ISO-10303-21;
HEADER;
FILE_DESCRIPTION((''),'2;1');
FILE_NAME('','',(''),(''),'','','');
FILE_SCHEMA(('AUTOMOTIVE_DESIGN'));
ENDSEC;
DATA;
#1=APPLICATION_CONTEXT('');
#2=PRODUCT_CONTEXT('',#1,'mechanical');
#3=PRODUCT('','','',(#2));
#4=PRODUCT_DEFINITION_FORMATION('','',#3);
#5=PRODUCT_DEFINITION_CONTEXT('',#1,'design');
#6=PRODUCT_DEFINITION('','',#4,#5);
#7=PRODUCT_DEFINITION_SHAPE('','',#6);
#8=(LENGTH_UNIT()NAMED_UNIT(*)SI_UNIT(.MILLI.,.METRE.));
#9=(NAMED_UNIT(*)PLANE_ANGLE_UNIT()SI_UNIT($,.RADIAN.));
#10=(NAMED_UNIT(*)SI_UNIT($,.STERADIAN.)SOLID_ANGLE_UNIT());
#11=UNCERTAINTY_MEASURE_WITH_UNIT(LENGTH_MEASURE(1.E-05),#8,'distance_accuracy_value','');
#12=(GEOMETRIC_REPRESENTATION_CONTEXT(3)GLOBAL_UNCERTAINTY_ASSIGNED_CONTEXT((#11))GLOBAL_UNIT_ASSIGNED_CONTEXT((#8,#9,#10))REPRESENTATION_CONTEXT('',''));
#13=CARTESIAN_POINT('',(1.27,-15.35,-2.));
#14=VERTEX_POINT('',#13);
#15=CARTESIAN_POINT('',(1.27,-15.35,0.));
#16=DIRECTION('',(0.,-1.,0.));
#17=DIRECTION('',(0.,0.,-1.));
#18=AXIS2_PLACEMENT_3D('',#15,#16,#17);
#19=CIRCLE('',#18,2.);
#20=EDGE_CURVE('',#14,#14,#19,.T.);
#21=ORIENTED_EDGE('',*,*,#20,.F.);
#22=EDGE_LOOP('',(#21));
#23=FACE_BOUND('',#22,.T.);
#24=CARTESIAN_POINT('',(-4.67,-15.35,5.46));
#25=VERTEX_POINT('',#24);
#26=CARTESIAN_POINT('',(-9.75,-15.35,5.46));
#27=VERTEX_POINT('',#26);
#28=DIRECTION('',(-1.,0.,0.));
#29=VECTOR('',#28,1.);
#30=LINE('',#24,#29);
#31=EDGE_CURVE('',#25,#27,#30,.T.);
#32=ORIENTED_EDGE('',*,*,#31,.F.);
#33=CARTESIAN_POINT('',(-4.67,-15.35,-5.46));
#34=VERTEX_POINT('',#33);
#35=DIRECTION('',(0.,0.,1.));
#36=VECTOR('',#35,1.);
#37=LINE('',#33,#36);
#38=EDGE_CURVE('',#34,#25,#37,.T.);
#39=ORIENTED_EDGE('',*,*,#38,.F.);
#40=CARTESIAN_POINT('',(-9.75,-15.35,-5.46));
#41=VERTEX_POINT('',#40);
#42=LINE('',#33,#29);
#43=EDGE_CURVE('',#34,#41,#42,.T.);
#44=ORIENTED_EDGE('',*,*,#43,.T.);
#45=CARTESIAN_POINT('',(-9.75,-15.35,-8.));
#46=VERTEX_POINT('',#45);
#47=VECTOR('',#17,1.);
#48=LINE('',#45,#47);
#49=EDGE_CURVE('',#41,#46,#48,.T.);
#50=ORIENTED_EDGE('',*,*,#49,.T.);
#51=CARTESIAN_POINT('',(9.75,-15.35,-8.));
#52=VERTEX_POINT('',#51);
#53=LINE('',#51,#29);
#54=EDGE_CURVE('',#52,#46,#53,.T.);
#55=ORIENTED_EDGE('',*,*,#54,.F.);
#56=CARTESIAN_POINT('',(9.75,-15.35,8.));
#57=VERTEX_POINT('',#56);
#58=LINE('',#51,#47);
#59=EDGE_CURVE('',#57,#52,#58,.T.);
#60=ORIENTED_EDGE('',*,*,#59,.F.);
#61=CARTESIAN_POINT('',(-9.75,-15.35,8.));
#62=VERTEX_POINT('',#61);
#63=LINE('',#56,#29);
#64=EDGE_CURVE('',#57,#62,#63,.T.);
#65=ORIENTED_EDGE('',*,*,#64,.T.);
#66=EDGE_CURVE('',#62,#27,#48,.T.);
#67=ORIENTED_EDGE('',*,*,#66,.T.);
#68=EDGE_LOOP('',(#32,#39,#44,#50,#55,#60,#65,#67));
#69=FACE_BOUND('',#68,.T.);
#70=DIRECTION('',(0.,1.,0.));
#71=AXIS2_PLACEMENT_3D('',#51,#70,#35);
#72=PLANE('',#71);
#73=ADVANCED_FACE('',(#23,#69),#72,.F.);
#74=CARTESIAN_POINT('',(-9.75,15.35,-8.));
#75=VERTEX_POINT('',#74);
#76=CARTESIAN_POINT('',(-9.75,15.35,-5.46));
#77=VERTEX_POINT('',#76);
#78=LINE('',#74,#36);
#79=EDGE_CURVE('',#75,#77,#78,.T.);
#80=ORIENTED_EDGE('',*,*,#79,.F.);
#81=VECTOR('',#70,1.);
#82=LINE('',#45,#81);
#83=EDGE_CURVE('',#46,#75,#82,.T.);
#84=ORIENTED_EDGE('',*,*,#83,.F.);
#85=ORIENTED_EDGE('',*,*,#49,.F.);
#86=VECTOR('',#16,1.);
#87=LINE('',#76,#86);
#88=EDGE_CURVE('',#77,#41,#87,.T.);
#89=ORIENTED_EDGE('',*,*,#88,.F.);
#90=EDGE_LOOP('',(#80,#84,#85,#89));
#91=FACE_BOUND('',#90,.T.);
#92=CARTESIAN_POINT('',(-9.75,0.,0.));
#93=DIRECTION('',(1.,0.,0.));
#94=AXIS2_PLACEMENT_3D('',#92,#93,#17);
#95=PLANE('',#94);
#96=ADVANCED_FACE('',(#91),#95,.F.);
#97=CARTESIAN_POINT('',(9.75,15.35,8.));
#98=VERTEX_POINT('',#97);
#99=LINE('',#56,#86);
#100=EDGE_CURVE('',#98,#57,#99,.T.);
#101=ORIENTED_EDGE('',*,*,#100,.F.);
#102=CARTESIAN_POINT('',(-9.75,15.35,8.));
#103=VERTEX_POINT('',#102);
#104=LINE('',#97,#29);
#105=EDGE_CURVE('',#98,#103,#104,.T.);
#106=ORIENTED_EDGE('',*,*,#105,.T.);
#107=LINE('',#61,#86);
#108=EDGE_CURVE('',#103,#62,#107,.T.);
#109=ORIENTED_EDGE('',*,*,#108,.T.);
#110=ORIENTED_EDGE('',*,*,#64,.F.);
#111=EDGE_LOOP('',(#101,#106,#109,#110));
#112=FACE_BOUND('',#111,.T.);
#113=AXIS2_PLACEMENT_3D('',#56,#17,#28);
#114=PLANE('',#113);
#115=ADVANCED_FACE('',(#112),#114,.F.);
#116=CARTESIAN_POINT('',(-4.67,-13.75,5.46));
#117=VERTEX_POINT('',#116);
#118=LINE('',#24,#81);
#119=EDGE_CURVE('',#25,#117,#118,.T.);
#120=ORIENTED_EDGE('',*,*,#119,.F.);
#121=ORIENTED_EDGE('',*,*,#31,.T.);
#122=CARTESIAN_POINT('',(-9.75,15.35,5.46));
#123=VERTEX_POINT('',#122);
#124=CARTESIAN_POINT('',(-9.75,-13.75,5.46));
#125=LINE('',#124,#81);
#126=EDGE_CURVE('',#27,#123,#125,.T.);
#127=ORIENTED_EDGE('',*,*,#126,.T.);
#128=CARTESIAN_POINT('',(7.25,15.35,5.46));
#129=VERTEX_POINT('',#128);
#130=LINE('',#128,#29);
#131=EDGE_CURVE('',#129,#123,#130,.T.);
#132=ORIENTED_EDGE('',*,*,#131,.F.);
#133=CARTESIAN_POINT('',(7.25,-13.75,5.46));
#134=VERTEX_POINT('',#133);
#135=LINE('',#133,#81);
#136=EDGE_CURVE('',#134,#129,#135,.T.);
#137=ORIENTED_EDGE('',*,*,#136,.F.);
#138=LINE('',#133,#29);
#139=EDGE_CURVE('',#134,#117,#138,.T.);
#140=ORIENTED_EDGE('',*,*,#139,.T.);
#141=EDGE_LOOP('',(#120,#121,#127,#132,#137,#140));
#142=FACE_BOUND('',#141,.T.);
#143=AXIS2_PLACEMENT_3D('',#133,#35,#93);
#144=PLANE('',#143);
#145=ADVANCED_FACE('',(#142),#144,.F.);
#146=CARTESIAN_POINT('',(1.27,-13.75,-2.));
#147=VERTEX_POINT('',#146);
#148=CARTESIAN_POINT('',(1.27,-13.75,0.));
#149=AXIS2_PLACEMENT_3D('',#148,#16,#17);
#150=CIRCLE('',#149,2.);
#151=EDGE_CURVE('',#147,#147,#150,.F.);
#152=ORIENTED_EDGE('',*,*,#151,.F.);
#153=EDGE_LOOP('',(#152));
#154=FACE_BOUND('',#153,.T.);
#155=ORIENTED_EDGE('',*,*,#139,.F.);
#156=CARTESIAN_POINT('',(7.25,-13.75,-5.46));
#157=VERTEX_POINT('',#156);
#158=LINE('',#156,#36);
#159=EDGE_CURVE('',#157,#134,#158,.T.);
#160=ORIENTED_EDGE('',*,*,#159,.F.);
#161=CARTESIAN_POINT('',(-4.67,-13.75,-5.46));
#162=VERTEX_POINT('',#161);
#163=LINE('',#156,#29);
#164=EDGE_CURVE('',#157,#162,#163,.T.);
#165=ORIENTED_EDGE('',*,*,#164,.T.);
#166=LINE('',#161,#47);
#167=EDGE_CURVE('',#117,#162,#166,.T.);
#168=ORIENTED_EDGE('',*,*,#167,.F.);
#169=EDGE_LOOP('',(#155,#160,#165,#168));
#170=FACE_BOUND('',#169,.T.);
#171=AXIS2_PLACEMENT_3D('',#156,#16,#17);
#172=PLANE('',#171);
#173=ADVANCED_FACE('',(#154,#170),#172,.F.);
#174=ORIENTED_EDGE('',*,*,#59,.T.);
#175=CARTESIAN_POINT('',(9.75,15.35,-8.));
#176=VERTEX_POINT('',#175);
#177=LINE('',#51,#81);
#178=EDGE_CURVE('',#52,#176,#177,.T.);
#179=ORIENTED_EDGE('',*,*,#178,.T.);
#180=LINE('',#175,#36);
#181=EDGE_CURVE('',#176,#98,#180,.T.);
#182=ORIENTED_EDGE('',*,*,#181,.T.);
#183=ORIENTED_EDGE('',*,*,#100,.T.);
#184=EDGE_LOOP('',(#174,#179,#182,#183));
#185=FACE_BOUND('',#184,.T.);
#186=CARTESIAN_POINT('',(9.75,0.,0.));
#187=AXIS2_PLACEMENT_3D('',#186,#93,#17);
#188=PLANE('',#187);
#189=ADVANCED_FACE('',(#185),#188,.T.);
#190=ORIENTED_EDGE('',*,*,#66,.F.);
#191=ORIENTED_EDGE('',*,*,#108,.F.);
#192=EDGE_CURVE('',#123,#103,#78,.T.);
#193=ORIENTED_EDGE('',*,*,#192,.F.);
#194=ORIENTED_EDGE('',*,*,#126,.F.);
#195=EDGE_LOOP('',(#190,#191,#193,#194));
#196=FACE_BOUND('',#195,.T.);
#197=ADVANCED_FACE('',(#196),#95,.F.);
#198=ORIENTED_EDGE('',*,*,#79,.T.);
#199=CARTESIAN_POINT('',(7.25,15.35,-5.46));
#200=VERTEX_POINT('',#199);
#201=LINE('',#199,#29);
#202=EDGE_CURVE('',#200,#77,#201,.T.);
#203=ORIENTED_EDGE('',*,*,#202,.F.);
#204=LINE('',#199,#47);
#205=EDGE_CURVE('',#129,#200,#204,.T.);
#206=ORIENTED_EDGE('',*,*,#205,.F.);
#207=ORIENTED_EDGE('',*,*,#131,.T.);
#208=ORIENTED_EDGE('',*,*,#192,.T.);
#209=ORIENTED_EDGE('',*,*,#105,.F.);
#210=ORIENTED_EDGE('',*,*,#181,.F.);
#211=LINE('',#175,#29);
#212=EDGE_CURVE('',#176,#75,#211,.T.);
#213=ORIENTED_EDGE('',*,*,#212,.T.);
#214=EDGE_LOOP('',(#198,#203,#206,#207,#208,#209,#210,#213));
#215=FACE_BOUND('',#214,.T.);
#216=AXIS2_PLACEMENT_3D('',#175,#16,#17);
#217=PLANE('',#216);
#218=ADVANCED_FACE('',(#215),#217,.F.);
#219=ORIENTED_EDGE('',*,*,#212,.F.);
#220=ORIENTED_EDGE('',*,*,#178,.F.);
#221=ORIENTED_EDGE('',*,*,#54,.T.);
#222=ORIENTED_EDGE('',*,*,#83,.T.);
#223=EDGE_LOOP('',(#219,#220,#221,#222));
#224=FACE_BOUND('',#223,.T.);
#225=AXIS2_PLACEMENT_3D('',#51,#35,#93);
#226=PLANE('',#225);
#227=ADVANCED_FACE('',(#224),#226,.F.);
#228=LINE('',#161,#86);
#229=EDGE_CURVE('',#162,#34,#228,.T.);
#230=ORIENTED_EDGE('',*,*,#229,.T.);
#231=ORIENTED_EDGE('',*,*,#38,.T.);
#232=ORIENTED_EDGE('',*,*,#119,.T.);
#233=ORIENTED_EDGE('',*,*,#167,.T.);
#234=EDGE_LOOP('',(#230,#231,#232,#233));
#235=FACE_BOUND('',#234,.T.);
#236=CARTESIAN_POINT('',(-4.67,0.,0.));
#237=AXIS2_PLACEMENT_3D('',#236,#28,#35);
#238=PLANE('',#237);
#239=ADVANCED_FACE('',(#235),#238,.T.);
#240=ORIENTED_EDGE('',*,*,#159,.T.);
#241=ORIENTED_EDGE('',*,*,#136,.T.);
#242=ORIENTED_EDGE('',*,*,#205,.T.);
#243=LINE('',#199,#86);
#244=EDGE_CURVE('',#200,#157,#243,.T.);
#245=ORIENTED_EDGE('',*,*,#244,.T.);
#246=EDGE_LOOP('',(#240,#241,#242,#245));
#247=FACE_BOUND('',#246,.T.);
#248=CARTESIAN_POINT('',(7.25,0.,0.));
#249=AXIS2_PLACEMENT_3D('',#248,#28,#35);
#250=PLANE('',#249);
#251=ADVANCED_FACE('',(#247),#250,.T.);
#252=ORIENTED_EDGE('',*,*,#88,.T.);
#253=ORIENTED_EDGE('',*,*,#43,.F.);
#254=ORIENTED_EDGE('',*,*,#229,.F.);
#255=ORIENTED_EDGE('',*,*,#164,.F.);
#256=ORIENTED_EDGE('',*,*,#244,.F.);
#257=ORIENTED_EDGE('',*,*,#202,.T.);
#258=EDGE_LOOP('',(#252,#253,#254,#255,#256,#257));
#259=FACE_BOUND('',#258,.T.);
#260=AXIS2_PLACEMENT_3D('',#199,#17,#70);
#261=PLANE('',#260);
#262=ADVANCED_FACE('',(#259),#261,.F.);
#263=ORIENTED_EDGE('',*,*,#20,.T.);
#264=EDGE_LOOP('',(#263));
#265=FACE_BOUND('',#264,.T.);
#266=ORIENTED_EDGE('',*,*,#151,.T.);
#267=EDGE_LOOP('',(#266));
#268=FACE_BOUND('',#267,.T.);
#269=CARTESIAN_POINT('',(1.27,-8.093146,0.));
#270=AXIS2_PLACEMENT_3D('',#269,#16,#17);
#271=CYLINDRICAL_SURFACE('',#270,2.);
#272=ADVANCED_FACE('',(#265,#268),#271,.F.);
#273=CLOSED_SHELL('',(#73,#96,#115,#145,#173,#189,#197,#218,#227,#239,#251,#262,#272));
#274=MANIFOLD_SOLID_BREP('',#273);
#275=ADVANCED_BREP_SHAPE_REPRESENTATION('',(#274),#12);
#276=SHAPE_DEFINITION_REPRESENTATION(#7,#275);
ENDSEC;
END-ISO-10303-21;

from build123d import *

# Parameters (mm, degrees)
SKETCH2_W               = 16
SKETCH2_H               = 30.7
BOSS_EXTRUDE1_DEPTH     = 9.75
SKETCH3_W               = 10.92
SKETCH3_H               = 29.1
CUT_EXTRUDE1_DEPTH      = 17
SKETCH4_W               = 10.92
SKETCH4_H               = 1.6
CUT_EXTRUDE2_DEPTH      = 5.08
SKETCH5_R               = 2
HOLE_FOR_ACTUATOR_DEPTH = 1.6


with BuildPart() as part:
    # Sketch2 → Boss-Extrude1 (new body, symmetric)
    with BuildSketch(Plane(origin=(0, 0, 0), x_dir=(0, 0, -1), z_dir=(1, 0, 0))):
        Rectangle(SKETCH2_W, SKETCH2_H)
    extrude(amount=BOSS_EXTRUDE1_DEPTH, both=True)

    # Sketch3 → Cut-Extrude1 (cut)
    with BuildSketch(Plane.ZY.offset(9.75)):
        with Locations((0, 0.8)):
            Rectangle(SKETCH3_W, SKETCH3_H)
    extrude(amount=-CUT_EXTRUDE1_DEPTH, mode=Mode.SUBTRACT)

    # Sketch4 → Cut-Extrude2 (cut)
    with BuildSketch(Plane.ZY.offset(9.75)):
        with Locations((0, -14.55)):
            Rectangle(SKETCH4_W, SKETCH4_H)
    extrude(amount=-CUT_EXTRUDE2_DEPTH, mode=Mode.SUBTRACT)

    # Sketch5 → Hole for Actuator (cut)
    with BuildSketch(Plane.XZ.offset(15.35)):
        with Locations((1.27, 0)):
            Circle(SKETCH5_R)
    extrude(amount=-HOLE_FOR_ACTUATOR_DEPTH, mode=Mode.SUBTRACT)


solid = part.part
